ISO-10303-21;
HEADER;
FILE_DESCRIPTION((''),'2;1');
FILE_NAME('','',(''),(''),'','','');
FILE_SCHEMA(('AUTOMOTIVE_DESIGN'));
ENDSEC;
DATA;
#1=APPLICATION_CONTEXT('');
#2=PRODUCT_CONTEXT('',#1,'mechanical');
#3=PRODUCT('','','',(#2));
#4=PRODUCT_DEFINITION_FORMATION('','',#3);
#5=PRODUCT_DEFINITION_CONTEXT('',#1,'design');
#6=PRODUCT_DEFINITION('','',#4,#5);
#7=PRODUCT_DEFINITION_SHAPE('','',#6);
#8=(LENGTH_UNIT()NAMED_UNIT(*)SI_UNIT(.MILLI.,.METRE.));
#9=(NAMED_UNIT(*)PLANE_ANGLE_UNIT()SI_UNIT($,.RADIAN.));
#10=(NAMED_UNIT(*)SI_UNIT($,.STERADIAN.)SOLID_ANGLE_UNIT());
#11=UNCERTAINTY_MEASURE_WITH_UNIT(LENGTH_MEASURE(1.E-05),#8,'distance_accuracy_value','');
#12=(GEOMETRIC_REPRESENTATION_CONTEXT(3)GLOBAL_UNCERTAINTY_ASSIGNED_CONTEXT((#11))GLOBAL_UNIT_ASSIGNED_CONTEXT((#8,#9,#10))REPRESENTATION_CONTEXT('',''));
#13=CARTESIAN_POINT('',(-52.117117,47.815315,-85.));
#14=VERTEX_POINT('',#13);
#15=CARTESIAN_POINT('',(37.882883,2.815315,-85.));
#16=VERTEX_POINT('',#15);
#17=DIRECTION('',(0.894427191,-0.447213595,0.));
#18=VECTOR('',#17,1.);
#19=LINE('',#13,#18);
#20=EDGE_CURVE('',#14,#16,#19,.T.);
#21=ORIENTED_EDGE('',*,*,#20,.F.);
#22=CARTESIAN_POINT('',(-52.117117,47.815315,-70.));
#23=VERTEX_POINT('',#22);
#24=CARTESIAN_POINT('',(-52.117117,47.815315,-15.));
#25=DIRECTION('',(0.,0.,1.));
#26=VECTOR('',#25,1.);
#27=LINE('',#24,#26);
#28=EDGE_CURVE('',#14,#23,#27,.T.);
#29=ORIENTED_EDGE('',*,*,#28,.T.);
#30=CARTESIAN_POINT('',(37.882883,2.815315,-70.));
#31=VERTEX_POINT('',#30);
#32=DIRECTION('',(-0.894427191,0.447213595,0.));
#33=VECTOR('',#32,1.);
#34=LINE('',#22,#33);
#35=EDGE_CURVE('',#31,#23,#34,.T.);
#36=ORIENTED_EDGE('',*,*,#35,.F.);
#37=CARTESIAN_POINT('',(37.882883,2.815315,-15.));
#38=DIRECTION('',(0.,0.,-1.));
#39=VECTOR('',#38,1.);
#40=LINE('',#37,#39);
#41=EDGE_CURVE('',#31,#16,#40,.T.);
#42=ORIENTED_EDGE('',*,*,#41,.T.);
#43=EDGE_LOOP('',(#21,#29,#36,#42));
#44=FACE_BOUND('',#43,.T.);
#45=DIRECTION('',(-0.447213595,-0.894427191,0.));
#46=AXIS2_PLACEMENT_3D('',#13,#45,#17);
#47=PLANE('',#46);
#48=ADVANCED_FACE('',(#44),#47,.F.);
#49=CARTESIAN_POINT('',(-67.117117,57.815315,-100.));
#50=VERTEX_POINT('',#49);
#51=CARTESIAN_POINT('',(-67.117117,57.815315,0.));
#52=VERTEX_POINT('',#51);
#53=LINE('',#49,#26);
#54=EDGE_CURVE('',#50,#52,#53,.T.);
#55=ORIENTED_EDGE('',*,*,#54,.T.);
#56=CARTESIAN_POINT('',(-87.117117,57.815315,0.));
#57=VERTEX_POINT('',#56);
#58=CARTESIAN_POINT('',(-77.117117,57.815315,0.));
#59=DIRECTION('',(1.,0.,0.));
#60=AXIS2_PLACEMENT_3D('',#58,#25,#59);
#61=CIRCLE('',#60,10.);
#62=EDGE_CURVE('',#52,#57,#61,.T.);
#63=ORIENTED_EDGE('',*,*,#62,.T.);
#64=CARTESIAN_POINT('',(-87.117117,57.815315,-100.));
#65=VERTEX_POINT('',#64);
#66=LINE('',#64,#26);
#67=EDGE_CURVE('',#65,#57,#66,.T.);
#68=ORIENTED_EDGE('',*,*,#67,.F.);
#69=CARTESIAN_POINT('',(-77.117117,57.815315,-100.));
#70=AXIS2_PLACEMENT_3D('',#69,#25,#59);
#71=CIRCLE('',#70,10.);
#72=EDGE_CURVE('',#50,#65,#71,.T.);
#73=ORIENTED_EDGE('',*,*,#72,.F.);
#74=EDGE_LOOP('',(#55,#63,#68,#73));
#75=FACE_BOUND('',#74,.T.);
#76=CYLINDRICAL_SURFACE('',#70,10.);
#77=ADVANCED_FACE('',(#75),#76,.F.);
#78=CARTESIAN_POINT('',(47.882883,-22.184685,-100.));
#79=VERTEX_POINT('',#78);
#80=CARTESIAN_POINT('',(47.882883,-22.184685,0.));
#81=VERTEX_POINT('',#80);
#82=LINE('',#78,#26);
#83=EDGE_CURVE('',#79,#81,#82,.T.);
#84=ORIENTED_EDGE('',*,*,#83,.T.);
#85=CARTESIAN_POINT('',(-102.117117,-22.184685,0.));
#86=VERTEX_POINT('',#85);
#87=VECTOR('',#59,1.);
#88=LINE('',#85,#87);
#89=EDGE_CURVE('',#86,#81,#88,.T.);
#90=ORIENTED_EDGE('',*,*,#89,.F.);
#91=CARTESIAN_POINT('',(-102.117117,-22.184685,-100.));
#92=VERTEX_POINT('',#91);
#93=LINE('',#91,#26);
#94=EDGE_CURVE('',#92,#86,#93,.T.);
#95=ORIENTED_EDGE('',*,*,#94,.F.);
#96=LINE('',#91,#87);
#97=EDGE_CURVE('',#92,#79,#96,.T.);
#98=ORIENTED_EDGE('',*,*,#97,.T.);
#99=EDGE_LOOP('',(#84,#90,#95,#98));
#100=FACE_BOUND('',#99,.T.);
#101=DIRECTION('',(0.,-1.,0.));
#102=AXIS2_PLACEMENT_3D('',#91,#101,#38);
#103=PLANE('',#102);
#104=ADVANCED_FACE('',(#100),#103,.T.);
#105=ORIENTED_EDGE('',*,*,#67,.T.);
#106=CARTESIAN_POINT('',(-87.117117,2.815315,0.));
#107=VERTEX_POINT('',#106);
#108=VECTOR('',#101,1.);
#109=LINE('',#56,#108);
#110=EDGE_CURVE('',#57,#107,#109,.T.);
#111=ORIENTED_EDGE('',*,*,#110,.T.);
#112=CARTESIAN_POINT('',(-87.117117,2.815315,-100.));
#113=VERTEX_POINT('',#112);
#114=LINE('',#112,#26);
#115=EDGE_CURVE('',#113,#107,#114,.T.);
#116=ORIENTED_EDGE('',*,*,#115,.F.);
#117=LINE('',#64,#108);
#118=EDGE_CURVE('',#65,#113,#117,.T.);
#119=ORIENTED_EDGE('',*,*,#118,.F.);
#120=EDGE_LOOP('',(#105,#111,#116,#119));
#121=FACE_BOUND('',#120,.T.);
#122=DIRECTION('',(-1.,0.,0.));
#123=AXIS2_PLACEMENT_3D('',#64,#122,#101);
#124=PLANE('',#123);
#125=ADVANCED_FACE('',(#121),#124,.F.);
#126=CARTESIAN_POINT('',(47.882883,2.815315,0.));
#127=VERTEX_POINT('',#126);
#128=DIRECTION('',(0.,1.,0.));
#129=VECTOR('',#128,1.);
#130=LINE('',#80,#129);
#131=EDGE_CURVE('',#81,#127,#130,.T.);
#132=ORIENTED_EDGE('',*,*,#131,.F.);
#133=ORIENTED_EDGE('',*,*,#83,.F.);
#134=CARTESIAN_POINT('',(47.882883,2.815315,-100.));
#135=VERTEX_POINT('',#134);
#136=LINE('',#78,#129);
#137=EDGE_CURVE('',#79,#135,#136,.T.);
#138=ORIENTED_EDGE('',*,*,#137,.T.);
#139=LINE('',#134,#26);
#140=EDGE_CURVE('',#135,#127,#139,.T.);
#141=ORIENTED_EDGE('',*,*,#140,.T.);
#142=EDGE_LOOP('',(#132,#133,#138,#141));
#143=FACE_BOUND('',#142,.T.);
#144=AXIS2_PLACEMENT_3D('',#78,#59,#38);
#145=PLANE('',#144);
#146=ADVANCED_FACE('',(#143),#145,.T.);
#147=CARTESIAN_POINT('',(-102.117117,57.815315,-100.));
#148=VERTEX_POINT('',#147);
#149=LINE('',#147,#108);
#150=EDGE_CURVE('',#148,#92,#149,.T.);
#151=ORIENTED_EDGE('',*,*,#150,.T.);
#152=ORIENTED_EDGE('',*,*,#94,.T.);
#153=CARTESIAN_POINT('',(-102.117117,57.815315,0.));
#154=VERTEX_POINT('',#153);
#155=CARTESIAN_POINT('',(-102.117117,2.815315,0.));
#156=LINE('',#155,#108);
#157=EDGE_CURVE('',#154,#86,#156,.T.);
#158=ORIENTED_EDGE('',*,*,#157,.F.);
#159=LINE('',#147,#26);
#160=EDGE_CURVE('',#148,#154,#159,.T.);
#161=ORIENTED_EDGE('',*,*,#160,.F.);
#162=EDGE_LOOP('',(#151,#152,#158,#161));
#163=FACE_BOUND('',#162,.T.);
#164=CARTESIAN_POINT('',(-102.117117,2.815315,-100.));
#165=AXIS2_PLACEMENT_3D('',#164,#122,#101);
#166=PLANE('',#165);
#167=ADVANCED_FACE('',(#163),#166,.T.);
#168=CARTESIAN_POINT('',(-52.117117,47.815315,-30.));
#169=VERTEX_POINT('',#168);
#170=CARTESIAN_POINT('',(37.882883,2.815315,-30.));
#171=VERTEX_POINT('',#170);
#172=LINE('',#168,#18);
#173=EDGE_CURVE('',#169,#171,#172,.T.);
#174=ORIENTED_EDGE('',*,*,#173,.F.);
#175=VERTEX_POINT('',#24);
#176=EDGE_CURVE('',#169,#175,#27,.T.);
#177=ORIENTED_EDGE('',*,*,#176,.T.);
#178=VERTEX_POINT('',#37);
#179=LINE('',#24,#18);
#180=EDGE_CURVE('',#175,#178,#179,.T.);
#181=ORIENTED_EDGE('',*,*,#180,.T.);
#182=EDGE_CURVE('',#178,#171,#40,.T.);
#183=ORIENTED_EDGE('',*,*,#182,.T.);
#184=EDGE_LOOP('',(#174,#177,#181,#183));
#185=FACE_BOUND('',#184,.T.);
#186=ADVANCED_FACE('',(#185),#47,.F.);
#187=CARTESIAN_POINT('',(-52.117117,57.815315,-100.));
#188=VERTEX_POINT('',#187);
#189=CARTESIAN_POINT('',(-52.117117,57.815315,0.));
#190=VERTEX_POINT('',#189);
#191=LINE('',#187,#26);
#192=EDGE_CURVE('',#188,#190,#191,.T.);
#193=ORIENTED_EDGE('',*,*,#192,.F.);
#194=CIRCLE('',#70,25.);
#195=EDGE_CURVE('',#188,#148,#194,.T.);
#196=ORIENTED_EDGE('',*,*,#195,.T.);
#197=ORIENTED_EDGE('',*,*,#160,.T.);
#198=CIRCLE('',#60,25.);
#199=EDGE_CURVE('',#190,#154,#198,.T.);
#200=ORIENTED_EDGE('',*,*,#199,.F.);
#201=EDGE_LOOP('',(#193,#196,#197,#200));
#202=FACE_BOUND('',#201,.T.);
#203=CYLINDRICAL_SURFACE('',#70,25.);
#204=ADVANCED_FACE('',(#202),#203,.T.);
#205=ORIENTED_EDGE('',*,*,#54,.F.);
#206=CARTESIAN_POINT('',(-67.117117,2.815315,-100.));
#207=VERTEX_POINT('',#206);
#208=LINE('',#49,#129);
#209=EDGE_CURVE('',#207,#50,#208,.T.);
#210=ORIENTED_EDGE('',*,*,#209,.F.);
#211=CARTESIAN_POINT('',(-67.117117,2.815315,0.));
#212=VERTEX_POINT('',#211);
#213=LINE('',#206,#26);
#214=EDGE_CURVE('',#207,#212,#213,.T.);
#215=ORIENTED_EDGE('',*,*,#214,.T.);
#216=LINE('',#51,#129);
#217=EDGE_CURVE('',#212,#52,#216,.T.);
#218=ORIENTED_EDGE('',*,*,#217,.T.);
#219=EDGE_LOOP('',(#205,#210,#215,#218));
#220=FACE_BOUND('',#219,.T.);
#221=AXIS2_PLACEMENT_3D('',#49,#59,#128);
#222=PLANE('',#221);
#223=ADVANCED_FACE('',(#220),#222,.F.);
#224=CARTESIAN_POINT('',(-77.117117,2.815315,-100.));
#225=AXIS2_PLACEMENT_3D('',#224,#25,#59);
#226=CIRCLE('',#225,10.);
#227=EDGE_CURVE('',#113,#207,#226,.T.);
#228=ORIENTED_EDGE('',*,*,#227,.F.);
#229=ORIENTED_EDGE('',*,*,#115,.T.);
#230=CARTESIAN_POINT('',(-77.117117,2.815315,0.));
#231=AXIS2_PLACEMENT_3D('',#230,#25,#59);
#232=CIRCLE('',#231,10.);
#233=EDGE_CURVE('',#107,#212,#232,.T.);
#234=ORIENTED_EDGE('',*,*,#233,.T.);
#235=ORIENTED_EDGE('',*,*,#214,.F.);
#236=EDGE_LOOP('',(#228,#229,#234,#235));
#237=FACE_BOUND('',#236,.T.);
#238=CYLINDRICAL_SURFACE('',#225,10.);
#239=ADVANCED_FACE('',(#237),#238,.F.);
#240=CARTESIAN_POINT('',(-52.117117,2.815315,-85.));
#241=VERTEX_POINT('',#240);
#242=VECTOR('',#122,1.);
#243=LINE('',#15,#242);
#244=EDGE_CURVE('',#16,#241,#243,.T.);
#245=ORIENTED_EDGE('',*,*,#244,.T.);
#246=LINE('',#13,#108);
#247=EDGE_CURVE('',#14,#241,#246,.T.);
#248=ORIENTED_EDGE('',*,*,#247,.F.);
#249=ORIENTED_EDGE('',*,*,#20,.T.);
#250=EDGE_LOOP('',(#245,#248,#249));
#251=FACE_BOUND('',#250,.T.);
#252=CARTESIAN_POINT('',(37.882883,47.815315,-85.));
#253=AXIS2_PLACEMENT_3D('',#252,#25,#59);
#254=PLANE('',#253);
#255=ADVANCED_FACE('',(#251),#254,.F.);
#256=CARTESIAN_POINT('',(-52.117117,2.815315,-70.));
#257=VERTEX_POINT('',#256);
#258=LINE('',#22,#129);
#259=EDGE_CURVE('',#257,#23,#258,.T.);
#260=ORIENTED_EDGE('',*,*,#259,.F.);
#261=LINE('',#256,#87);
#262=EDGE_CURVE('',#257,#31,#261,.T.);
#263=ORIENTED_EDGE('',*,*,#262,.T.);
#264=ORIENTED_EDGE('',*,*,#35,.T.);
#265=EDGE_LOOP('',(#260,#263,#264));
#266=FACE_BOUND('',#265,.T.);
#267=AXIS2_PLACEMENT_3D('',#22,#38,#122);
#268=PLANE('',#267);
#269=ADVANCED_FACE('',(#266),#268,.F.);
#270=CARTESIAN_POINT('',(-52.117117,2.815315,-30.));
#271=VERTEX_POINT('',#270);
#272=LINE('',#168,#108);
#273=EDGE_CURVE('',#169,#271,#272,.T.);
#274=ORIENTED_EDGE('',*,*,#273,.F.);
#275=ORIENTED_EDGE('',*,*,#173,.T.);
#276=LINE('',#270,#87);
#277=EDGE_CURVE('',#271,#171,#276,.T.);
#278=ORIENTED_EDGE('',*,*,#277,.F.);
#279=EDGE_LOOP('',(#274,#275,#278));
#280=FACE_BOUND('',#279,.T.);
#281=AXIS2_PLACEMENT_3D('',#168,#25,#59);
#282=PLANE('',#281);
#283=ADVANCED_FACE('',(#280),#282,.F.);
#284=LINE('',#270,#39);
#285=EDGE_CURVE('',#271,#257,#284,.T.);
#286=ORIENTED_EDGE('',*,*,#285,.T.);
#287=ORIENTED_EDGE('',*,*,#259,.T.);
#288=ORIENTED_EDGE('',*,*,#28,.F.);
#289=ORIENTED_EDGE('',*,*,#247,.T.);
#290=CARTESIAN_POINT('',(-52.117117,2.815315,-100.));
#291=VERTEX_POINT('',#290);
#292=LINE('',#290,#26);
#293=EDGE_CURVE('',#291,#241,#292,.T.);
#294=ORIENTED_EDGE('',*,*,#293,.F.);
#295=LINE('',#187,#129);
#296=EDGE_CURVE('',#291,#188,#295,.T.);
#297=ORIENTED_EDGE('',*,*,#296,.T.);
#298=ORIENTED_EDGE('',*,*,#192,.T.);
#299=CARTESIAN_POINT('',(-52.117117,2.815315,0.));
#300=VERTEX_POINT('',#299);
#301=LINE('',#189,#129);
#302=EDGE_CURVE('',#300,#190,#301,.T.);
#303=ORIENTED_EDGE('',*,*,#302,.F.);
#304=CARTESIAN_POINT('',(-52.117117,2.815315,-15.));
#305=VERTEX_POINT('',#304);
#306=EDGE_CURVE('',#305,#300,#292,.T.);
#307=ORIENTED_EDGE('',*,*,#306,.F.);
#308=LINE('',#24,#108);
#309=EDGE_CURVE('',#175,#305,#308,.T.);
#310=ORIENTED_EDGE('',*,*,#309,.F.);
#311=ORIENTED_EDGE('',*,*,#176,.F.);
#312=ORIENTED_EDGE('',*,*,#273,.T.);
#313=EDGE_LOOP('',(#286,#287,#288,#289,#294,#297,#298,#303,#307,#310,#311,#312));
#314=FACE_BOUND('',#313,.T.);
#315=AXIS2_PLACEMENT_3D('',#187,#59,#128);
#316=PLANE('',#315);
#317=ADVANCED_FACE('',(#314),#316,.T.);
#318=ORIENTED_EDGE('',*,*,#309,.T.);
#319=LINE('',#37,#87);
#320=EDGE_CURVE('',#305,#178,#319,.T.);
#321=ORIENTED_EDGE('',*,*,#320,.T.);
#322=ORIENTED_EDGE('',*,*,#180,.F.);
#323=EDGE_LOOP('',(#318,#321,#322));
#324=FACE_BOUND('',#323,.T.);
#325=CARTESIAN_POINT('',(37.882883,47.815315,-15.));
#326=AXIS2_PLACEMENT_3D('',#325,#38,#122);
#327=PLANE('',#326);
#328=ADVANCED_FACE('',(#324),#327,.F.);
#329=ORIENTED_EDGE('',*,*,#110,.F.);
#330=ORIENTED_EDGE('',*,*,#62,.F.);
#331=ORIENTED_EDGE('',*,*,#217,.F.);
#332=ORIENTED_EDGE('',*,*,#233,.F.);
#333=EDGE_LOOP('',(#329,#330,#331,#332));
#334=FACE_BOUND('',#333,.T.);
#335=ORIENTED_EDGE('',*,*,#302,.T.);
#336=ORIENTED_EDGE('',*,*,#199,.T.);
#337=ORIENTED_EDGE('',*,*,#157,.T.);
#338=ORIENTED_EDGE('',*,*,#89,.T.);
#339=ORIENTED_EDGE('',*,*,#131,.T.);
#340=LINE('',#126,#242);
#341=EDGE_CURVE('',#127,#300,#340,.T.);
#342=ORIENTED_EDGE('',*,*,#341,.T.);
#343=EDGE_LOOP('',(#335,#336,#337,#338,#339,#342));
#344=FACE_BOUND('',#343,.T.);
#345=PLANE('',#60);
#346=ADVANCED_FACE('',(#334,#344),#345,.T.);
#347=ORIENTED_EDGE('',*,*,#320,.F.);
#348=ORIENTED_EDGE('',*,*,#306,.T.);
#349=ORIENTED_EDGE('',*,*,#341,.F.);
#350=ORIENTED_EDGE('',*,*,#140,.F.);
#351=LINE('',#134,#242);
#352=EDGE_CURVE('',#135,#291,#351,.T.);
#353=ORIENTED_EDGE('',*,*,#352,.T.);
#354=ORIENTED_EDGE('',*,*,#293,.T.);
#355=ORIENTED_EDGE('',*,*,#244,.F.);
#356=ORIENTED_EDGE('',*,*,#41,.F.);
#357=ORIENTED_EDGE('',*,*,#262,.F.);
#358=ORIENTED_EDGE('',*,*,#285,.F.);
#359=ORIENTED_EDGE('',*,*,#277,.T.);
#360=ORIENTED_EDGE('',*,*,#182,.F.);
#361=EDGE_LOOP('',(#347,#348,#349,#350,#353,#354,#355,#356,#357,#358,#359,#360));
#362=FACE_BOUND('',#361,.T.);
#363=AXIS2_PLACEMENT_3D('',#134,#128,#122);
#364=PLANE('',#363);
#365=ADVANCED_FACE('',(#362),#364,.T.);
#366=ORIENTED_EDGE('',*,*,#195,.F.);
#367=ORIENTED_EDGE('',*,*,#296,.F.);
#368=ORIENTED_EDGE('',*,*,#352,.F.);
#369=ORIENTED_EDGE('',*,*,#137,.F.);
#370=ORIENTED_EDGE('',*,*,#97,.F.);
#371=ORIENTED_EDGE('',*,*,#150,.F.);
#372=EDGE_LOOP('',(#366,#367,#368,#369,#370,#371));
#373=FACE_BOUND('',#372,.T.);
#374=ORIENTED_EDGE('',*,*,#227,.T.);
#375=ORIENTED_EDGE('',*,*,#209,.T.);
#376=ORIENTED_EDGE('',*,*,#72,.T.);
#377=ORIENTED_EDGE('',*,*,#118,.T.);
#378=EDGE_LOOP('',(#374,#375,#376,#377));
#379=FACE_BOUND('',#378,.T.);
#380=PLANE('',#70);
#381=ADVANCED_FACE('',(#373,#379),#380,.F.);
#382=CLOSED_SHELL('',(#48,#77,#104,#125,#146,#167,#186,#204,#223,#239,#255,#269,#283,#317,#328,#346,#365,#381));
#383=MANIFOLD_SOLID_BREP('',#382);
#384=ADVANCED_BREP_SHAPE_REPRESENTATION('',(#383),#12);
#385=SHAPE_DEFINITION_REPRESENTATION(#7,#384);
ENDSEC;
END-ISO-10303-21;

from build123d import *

# Parameters (mm, degrees)
BOSS_EXTRUDE1_DEPTH = 100
SKETCH4_W           = 90
SKETCH4_H           = 70
BOSS_EXTRUDE2_DEPTH = 45
SKETCH5_W           = 40
SKETCH5_H           = 45
CUT_EXTRUDE1_DEPTH  = 90
CUT_EXTRUDE2_DEPTH  = 70


with BuildPart() as part:
    # Sketch1 → Boss-Extrude1 (new body)
    with BuildSketch(Plane.XY):
        with BuildLine():
            Line((-52.117117117, 57.815315315), (-52.117117117, 2.815315315))
            Line((-52.117117117, 2.815315315), (47.882882883, 2.815315315))
            Line((47.882882883, 2.815315315), (47.882882883, -22.184684685))
            Line((47.882882883, -22.184684685), (-102.117117117, -22.184684685))
            Line((-102.117117117, -22.184684685), (-102.117117117, 2.815315315))
            Line((-102.117117117, 2.815315315), (-102.117117117, 57.815315315))
            ThreePointArc((-102.117117117, 57.815315315), (-77.117117117, 82.815315315), (-52.117117117, 57.815315315))
        make_face()
        with BuildLine():
            Line((-67.117117117, 57.815315315), (-67.117117117, 2.815315315))
            ThreePointArc((-67.117117117, 2.815315315), (-77.117117117, -7.184684685), (-87.117117117, 2.815315315))
            Line((-87.117117117, 2.815315315), (-87.117117117, 57.815315315))
            ThreePointArc((-87.117117117, 57.815315315), (-77.117117117, 67.815315315), (-67.117117117, 57.815315315))
        make_face(mode=Mode.SUBTRACT)
    extrude(amount=-BOSS_EXTRUDE1_DEPTH)

    # Sketch4 → Boss-Extrude2 (add)
    with BuildSketch(Plane(origin=(0, 2.815315315, 0), x_dir=(1, 0, 0), z_dir=(0, 1, 0))):
        with Locations((-7.117117117, 50)):
            Rectangle(SKETCH4_W, SKETCH4_H)
    extrude(amount=BOSS_EXTRUDE2_DEPTH)

    # Sketch5 → Cut-Extrude1 (cut)
    with BuildSketch(Plane(origin=(37.882882883, 0, 0), x_dir=(0, 0, -1), z_dir=(1, 0, 0))):
        with Locations((50, 25.315315315)):
            Rectangle(SKETCH5_W, SKETCH5_H)
    extrude(amount=-CUT_EXTRUDE1_DEPTH, mode=Mode.SUBTRACT)

    # Sketch6 → Cut-Extrude2 (cut)
    with BuildSketch(Plane.XY.offset(-15)):
        Polygon((-52.117117117, 47.815315315), (37.882882883, 2.815315315), (37.882882883, 47.815315315), align=None)
    extrude(amount=-CUT_EXTRUDE2_DEPTH, mode=Mode.SUBTRACT)


solid = part.part
